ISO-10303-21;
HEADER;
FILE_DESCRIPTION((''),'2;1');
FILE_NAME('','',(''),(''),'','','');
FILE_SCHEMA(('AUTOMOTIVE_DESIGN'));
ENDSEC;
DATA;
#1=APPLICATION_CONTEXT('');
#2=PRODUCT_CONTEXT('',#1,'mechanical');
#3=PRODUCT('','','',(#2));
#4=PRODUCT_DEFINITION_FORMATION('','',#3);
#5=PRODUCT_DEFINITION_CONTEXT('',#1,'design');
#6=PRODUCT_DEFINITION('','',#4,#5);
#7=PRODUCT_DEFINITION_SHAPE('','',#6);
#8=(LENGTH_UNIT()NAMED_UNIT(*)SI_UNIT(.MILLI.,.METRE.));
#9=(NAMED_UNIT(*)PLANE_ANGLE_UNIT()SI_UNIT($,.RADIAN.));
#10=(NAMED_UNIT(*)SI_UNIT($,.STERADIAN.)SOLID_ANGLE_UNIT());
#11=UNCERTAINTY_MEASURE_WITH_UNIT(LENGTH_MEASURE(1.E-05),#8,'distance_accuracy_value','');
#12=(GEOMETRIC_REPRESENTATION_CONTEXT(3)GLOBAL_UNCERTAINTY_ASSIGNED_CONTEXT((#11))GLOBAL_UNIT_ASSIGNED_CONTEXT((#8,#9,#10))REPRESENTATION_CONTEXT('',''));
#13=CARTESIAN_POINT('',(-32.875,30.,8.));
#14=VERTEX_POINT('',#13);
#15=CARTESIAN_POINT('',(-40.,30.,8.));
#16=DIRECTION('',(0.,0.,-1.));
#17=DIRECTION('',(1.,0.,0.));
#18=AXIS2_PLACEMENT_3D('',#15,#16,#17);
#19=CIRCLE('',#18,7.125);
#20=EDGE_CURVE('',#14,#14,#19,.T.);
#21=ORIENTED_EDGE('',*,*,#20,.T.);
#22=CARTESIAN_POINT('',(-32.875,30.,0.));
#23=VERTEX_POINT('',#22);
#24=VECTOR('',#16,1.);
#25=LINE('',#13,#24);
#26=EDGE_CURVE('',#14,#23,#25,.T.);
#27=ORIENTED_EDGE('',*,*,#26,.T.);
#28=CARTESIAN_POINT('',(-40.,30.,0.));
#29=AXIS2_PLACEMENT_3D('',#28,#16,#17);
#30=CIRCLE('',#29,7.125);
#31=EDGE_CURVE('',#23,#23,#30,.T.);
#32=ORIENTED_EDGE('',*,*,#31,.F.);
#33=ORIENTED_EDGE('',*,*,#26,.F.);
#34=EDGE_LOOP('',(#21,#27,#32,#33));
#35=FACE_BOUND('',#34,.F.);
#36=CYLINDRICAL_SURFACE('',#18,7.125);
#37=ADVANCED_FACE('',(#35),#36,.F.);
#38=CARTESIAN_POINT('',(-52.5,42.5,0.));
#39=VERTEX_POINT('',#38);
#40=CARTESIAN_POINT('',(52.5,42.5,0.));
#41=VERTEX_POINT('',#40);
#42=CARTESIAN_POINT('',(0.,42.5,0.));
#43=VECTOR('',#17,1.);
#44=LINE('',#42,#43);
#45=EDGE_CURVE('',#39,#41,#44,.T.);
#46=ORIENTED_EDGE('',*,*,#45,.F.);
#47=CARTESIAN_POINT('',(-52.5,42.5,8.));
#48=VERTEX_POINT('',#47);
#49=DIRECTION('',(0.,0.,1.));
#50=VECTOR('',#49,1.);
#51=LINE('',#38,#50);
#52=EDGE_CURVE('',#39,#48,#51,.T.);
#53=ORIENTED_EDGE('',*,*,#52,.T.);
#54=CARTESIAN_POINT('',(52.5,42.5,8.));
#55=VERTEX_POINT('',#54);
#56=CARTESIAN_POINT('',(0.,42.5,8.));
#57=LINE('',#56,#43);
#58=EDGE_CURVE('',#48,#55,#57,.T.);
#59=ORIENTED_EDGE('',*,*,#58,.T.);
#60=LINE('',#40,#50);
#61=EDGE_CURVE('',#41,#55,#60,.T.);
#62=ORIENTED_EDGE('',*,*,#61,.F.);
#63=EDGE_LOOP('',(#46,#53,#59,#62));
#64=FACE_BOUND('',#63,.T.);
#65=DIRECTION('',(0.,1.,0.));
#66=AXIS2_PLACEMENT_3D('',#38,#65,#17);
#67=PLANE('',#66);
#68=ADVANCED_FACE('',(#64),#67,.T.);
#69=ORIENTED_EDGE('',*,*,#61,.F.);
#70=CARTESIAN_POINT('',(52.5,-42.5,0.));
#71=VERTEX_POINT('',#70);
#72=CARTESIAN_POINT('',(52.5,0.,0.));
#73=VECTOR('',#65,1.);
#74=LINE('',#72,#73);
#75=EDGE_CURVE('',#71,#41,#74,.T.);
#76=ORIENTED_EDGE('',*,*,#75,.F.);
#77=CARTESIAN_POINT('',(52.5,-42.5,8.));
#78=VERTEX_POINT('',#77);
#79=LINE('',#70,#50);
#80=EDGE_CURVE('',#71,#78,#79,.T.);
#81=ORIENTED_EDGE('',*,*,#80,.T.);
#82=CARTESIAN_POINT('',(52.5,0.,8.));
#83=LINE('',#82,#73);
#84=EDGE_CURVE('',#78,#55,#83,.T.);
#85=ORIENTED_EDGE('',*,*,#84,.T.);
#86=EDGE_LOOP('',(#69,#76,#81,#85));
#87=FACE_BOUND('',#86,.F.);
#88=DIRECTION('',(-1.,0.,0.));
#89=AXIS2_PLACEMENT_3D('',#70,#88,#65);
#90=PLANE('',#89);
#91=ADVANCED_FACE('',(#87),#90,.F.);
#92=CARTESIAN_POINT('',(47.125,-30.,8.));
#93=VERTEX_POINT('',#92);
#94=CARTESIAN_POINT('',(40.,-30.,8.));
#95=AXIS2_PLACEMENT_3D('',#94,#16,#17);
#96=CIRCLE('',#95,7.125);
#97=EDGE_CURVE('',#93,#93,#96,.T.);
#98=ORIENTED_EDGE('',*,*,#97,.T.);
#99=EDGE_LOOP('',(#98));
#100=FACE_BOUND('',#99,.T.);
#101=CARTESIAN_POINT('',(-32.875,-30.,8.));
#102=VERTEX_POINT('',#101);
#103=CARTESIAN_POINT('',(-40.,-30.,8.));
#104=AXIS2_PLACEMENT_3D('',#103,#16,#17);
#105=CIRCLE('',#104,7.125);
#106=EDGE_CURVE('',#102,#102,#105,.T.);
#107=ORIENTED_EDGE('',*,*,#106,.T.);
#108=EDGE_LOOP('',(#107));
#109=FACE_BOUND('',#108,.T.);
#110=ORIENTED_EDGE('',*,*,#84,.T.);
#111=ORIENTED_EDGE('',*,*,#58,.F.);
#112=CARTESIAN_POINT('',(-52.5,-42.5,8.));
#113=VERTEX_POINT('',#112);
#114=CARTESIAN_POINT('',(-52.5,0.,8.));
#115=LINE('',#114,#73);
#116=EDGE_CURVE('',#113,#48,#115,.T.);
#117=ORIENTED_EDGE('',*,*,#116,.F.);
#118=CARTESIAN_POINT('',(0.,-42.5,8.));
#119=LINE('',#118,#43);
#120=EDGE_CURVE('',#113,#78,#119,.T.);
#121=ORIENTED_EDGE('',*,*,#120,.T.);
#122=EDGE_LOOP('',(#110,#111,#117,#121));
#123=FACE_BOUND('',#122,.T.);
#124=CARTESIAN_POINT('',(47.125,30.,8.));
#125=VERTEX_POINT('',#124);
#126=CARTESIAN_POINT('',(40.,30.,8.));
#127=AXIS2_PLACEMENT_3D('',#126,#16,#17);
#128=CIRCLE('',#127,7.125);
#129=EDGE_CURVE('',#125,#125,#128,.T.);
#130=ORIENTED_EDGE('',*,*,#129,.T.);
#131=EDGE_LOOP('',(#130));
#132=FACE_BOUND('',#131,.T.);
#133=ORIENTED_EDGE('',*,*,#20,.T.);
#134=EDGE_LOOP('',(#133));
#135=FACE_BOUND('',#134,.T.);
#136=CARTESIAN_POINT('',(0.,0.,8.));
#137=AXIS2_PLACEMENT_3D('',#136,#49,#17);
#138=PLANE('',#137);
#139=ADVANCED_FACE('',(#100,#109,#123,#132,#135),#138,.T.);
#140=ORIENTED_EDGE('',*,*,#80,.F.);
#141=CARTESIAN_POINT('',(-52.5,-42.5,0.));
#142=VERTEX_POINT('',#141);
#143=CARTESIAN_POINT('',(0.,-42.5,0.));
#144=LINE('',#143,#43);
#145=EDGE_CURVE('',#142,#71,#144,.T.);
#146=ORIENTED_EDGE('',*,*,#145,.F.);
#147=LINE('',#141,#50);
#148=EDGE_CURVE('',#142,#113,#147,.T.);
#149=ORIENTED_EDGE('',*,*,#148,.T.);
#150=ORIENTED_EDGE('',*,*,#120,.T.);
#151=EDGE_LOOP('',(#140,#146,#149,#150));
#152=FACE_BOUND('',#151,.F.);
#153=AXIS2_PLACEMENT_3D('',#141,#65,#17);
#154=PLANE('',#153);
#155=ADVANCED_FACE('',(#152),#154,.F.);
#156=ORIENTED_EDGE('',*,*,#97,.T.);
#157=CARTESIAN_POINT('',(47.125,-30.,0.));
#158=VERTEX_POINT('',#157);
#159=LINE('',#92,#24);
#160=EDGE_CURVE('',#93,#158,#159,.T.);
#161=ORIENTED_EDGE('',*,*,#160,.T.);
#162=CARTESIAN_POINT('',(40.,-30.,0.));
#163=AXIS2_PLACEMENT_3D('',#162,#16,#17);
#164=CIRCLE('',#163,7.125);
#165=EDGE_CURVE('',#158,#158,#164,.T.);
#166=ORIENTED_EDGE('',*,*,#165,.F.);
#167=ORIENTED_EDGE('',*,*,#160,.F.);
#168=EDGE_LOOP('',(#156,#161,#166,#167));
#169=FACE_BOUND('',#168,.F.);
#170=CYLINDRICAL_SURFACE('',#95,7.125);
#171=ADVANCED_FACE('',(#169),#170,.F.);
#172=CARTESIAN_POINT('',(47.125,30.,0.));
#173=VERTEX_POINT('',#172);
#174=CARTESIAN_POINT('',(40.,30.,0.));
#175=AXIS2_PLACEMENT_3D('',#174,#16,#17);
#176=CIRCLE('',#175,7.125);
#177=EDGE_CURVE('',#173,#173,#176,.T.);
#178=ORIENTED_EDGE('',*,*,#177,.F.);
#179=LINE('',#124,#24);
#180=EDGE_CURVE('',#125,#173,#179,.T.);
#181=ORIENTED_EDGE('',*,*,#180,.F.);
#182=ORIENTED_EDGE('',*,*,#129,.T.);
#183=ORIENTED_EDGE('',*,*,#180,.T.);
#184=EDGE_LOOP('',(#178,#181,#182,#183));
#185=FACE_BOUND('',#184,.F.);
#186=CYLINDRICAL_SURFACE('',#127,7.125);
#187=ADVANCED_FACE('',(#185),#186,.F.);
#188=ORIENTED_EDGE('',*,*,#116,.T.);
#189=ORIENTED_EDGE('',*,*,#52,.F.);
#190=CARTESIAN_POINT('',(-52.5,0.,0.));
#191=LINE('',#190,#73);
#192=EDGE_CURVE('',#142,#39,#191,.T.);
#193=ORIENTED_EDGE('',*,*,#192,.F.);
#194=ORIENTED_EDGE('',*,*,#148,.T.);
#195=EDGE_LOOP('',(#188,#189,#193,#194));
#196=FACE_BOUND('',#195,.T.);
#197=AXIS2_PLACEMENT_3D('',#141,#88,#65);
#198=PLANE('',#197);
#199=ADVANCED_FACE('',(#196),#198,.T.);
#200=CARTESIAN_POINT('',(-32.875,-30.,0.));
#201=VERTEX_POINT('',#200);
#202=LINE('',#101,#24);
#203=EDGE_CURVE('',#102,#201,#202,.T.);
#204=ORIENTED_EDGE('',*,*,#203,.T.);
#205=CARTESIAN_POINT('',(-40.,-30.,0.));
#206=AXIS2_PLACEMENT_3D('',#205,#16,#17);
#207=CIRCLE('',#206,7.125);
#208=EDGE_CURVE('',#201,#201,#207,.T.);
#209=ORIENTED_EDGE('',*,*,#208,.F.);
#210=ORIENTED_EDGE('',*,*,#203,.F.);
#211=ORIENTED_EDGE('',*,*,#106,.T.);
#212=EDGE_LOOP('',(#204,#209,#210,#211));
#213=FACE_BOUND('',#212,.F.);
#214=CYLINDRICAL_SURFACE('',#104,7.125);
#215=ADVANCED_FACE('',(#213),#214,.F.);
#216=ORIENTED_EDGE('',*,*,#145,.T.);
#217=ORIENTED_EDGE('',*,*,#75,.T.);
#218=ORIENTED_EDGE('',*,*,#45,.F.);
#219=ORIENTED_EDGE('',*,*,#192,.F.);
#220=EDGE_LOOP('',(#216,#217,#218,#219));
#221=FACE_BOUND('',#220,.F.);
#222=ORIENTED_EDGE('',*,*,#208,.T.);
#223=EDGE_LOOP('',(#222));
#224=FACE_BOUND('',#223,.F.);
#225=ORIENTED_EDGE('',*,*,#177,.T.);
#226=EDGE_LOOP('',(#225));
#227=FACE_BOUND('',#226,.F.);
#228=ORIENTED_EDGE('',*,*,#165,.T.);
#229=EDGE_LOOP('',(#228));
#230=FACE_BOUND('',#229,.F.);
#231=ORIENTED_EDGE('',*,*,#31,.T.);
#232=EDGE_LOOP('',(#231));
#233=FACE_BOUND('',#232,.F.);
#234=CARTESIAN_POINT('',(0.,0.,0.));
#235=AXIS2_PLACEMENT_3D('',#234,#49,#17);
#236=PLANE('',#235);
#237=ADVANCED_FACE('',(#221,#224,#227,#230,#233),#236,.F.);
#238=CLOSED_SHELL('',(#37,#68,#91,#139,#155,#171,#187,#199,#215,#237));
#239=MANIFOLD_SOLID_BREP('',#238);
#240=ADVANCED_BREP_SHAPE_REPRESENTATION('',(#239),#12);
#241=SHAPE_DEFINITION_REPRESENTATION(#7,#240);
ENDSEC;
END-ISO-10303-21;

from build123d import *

# Parameters (mm, degrees)
F0_W           = 105
F0_H           = 85
F0_R           = 4
F1_DEPTH       = 8
F2_D           = 8.8
F2_CBORE_D     = 14.25
F2_CBORE_DEPTH = 8


with BuildPart() as f1:
    # F0 (on Top) → F1 (new body)
    with BuildSketch(Plane.XY):
        Rectangle(F0_W, F0_H)
        with Locations((-40, -30)):
            Circle(F0_R, mode=Mode.SUBTRACT)
        with Locations((40, -30)):
            Circle(F0_R, mode=Mode.SUBTRACT)
        with Locations((-40, 30)):
            Circle(F0_R, mode=Mode.SUBTRACT)
        with Locations((40, 30)):
            Circle(F0_R, mode=Mode.SUBTRACT)
        with Locations((-40, 30)):
            Circle(F0_R)
        with Locations((40, 30)):
            Circle(F0_R)
        with Locations((40, -30)):
            Circle(F0_R)
        with Locations((-40, -30)):
            Circle(F0_R)
    extrude(amount=F1_DEPTH)

    # F2 (through all)
    with Locations(Plane(origin=(0, 0, 0), x_dir=(1, 0, 0), z_dir=(0, 0, -1))):
        with Locations((-40, -30), (40, -30), (40, 30), (-40, 30)):
            CounterBoreHole(F2_D / 2, F2_CBORE_D / 2, F2_CBORE_DEPTH)


solid = f1.part
